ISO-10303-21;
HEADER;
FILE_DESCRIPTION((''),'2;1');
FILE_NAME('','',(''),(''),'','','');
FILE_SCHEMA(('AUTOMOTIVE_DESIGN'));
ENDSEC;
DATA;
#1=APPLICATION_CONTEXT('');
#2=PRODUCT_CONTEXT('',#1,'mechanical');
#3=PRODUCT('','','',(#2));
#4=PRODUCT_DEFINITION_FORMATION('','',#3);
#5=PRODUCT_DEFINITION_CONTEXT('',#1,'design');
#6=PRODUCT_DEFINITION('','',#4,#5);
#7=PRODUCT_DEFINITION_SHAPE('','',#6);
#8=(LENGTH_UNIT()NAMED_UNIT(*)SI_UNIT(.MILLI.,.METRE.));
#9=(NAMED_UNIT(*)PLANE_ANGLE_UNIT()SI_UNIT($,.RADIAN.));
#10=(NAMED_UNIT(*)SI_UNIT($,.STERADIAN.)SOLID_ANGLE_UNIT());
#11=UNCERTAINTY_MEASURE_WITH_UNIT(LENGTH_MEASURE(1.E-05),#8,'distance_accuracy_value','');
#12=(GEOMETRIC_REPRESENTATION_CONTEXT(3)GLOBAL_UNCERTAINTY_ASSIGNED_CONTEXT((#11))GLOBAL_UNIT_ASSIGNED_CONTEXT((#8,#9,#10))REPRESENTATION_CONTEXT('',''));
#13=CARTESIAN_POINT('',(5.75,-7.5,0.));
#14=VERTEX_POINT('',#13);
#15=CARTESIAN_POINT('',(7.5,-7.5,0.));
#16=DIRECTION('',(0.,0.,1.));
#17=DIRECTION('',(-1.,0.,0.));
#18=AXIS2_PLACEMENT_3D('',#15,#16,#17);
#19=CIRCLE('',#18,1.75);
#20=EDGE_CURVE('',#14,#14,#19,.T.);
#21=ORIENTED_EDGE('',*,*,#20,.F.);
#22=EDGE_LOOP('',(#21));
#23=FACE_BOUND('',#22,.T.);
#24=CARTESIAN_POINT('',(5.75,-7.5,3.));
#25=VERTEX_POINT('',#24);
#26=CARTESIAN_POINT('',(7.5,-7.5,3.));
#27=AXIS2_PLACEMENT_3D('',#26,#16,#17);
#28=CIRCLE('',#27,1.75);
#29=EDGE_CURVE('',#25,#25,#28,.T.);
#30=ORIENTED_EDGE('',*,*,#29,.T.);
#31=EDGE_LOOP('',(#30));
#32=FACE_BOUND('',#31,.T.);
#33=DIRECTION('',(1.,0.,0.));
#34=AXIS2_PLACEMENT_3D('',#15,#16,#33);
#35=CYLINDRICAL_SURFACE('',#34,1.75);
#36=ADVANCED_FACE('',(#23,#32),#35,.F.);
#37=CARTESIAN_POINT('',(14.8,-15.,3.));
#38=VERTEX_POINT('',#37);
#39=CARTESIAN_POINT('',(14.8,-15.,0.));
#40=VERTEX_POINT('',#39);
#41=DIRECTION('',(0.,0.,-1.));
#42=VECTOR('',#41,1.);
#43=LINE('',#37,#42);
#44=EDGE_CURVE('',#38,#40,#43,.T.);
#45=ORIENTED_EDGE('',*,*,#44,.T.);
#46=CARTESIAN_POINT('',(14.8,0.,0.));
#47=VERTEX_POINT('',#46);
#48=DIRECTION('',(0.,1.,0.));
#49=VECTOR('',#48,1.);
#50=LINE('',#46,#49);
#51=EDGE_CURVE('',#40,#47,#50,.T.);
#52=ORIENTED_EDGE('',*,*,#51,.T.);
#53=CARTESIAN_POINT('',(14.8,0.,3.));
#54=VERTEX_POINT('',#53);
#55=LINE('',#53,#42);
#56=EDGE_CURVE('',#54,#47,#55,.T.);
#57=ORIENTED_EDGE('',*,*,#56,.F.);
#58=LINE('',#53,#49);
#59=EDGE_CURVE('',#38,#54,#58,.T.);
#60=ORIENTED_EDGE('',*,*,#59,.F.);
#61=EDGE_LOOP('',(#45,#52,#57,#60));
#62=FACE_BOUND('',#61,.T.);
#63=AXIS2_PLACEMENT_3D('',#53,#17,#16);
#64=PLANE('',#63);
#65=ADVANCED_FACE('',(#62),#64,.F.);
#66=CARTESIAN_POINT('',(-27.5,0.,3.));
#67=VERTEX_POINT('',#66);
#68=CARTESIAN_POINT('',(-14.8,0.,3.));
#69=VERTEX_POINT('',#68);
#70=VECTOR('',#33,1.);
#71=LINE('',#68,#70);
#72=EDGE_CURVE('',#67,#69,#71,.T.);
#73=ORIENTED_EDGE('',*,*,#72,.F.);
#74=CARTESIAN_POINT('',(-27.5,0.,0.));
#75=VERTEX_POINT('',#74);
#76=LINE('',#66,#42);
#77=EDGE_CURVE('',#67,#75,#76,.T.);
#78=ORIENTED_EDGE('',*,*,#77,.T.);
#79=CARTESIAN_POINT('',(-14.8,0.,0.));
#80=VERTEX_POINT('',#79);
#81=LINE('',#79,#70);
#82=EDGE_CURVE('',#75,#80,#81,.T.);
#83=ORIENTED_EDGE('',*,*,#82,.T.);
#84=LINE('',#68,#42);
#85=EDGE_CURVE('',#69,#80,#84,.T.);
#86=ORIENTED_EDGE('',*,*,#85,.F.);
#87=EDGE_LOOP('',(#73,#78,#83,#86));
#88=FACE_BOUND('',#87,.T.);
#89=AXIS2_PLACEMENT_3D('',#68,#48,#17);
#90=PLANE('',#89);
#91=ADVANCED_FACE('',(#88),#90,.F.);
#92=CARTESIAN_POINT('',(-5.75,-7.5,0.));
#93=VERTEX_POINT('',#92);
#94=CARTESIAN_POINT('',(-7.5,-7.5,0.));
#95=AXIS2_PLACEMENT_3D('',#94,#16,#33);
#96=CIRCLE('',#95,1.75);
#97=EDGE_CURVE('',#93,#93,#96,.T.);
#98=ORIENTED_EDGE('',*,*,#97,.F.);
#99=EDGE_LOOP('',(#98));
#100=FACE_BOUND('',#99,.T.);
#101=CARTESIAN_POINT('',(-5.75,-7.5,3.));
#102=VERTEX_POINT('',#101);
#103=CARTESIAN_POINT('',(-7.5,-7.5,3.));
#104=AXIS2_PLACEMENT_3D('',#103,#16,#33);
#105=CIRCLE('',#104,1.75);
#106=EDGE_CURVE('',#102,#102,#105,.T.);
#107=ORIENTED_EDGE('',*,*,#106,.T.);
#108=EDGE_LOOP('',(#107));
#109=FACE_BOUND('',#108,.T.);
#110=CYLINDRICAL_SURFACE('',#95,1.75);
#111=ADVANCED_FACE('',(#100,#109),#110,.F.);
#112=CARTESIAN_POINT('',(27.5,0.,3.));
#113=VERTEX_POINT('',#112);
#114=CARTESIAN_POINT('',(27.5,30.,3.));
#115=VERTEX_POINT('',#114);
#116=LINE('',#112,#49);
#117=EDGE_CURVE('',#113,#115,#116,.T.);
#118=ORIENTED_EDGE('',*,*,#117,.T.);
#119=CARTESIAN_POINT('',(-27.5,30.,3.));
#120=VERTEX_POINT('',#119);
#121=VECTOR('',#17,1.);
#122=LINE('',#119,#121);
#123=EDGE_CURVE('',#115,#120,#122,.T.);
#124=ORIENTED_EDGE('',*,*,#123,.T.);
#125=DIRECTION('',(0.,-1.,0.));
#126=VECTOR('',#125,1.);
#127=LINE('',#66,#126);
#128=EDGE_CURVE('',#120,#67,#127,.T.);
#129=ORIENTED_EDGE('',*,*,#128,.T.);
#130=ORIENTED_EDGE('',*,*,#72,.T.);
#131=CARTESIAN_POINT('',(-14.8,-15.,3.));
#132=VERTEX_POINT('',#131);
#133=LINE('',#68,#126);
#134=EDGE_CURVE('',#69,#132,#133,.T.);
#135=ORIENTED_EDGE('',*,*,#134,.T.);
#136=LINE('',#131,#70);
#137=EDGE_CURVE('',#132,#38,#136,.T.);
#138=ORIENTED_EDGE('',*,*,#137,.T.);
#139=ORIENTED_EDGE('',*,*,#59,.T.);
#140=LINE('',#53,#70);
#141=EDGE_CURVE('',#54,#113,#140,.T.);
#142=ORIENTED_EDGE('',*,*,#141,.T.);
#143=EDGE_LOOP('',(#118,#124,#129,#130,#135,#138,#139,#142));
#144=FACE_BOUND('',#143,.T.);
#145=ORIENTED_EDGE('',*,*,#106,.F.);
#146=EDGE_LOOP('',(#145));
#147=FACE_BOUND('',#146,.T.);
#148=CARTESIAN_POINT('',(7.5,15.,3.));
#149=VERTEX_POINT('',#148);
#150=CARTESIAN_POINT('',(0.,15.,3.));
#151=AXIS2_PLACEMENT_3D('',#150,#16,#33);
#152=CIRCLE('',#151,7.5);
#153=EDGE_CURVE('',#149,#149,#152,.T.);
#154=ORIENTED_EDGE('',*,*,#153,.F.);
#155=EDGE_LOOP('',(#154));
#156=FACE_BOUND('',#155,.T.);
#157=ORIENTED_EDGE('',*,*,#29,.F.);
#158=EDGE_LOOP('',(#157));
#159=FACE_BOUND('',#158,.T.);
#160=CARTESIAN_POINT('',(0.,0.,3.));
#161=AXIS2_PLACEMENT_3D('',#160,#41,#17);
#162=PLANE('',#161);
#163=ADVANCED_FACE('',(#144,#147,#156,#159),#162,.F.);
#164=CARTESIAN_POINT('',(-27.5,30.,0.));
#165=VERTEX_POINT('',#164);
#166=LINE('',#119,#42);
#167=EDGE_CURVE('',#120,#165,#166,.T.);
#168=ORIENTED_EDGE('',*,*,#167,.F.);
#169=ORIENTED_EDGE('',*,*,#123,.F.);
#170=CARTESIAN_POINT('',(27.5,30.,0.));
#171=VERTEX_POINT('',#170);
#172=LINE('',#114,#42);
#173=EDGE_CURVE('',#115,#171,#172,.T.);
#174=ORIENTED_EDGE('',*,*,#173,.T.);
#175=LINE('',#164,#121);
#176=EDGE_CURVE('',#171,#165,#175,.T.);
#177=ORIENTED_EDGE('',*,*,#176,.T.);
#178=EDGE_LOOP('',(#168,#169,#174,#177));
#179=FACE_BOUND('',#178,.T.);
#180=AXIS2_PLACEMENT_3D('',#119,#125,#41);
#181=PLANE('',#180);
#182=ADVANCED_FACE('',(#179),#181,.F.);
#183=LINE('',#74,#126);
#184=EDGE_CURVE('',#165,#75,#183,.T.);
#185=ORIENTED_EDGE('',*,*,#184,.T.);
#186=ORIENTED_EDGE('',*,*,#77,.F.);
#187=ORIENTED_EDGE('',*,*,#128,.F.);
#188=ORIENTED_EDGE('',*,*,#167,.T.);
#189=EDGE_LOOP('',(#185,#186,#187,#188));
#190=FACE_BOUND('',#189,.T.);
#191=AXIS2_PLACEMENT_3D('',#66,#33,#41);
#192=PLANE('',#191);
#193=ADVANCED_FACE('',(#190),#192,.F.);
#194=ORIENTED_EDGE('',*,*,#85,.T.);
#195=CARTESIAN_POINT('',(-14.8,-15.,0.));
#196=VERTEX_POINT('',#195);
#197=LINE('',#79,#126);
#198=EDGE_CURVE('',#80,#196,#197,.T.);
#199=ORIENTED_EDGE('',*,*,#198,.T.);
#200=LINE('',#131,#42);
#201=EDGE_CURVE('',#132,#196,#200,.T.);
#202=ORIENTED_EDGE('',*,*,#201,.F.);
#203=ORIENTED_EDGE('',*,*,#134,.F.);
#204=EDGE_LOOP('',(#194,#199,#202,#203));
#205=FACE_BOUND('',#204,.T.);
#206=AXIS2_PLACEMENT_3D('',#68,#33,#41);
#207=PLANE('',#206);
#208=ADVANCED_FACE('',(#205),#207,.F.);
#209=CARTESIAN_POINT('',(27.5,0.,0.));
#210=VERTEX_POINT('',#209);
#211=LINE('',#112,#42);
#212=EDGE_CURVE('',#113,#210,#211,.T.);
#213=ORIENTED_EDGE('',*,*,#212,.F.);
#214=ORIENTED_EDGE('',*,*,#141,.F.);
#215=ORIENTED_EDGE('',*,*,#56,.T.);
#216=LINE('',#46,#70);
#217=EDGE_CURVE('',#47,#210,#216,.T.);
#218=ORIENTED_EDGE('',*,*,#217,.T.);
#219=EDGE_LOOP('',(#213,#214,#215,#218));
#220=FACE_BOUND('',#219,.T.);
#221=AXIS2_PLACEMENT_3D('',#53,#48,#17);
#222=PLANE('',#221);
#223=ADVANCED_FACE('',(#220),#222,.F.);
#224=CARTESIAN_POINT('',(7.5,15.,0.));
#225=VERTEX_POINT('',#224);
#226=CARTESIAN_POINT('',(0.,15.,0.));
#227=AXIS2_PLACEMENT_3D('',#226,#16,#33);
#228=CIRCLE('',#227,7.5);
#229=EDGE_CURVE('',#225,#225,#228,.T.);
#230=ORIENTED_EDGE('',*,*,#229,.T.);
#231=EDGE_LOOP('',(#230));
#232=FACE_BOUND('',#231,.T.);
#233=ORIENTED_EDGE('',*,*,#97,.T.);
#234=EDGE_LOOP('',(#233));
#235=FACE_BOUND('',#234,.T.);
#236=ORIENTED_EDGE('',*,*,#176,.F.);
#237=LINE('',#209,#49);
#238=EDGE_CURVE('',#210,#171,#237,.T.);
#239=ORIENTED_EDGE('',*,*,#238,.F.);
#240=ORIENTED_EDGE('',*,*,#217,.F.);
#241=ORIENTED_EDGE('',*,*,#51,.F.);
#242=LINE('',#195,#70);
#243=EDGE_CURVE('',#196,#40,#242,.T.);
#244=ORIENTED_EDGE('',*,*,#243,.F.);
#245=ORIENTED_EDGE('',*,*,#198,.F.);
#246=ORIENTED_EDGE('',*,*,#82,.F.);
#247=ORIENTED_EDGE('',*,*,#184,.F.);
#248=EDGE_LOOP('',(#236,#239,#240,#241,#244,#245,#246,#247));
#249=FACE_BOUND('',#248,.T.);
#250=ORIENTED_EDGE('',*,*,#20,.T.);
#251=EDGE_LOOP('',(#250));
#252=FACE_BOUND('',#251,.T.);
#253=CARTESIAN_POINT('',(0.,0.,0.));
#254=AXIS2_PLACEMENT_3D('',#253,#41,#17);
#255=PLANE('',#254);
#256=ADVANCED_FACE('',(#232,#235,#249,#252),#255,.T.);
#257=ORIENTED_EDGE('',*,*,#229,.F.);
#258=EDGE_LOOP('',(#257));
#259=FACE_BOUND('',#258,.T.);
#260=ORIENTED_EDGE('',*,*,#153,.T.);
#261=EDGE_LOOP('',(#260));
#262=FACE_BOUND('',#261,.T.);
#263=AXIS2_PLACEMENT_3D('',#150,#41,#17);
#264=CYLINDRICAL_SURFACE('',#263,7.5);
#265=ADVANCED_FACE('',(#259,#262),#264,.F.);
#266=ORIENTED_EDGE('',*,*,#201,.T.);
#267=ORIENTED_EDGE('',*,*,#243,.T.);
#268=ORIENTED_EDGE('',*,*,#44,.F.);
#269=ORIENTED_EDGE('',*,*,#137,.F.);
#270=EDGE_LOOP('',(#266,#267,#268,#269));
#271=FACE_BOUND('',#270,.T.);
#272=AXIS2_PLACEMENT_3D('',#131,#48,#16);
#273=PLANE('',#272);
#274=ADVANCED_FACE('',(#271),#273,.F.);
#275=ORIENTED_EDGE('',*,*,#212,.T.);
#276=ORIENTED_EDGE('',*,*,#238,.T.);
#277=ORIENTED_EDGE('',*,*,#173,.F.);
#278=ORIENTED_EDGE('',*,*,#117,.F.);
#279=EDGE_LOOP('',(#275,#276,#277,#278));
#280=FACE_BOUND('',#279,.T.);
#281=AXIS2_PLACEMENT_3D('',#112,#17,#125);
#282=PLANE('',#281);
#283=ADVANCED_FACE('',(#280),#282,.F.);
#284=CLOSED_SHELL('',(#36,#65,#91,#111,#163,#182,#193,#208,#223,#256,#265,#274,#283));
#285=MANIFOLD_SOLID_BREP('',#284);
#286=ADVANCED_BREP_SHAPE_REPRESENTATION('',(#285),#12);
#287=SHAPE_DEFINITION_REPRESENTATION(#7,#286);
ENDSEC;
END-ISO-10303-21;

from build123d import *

# Parameters (mm, degrees)
SKETCH_1_R          = 7.5
EXTRUDE_1_DEPTH     = 3
SKETCH_2_R          = 1.75
CUT_EXTRUDE_1_DEPTH = 3


with BuildPart() as part:
    # 草图1 → 凸台-拉伸1 (new body)
    with BuildSketch(Plane.XY):
        Polygon((-14.8, -15), (14.8, -15), (14.8, 0), (27.5, 0), (27.5, 30), (-27.5, 30), (-27.5, 0), (-14.8, 0), align=None)
        with Locations((0, 15)):
            Circle(SKETCH_1_R, mode=Mode.SUBTRACT)
    extrude(amount=EXTRUDE_1_DEPTH)

    # 草图2 → 切除-拉伸1 (cut)
    with BuildSketch(Plane.XY.offset(3)):
        with Locations((-7.5, -7.5)):
            Circle(SKETCH_2_R)
        with Locations(Location((7.5, -7.5, 0), (0, 0, 180))):
            Circle(SKETCH_2_R)
    extrude(amount=-CUT_EXTRUDE_1_DEPTH, mode=Mode.SUBTRACT)


solid = part.part
